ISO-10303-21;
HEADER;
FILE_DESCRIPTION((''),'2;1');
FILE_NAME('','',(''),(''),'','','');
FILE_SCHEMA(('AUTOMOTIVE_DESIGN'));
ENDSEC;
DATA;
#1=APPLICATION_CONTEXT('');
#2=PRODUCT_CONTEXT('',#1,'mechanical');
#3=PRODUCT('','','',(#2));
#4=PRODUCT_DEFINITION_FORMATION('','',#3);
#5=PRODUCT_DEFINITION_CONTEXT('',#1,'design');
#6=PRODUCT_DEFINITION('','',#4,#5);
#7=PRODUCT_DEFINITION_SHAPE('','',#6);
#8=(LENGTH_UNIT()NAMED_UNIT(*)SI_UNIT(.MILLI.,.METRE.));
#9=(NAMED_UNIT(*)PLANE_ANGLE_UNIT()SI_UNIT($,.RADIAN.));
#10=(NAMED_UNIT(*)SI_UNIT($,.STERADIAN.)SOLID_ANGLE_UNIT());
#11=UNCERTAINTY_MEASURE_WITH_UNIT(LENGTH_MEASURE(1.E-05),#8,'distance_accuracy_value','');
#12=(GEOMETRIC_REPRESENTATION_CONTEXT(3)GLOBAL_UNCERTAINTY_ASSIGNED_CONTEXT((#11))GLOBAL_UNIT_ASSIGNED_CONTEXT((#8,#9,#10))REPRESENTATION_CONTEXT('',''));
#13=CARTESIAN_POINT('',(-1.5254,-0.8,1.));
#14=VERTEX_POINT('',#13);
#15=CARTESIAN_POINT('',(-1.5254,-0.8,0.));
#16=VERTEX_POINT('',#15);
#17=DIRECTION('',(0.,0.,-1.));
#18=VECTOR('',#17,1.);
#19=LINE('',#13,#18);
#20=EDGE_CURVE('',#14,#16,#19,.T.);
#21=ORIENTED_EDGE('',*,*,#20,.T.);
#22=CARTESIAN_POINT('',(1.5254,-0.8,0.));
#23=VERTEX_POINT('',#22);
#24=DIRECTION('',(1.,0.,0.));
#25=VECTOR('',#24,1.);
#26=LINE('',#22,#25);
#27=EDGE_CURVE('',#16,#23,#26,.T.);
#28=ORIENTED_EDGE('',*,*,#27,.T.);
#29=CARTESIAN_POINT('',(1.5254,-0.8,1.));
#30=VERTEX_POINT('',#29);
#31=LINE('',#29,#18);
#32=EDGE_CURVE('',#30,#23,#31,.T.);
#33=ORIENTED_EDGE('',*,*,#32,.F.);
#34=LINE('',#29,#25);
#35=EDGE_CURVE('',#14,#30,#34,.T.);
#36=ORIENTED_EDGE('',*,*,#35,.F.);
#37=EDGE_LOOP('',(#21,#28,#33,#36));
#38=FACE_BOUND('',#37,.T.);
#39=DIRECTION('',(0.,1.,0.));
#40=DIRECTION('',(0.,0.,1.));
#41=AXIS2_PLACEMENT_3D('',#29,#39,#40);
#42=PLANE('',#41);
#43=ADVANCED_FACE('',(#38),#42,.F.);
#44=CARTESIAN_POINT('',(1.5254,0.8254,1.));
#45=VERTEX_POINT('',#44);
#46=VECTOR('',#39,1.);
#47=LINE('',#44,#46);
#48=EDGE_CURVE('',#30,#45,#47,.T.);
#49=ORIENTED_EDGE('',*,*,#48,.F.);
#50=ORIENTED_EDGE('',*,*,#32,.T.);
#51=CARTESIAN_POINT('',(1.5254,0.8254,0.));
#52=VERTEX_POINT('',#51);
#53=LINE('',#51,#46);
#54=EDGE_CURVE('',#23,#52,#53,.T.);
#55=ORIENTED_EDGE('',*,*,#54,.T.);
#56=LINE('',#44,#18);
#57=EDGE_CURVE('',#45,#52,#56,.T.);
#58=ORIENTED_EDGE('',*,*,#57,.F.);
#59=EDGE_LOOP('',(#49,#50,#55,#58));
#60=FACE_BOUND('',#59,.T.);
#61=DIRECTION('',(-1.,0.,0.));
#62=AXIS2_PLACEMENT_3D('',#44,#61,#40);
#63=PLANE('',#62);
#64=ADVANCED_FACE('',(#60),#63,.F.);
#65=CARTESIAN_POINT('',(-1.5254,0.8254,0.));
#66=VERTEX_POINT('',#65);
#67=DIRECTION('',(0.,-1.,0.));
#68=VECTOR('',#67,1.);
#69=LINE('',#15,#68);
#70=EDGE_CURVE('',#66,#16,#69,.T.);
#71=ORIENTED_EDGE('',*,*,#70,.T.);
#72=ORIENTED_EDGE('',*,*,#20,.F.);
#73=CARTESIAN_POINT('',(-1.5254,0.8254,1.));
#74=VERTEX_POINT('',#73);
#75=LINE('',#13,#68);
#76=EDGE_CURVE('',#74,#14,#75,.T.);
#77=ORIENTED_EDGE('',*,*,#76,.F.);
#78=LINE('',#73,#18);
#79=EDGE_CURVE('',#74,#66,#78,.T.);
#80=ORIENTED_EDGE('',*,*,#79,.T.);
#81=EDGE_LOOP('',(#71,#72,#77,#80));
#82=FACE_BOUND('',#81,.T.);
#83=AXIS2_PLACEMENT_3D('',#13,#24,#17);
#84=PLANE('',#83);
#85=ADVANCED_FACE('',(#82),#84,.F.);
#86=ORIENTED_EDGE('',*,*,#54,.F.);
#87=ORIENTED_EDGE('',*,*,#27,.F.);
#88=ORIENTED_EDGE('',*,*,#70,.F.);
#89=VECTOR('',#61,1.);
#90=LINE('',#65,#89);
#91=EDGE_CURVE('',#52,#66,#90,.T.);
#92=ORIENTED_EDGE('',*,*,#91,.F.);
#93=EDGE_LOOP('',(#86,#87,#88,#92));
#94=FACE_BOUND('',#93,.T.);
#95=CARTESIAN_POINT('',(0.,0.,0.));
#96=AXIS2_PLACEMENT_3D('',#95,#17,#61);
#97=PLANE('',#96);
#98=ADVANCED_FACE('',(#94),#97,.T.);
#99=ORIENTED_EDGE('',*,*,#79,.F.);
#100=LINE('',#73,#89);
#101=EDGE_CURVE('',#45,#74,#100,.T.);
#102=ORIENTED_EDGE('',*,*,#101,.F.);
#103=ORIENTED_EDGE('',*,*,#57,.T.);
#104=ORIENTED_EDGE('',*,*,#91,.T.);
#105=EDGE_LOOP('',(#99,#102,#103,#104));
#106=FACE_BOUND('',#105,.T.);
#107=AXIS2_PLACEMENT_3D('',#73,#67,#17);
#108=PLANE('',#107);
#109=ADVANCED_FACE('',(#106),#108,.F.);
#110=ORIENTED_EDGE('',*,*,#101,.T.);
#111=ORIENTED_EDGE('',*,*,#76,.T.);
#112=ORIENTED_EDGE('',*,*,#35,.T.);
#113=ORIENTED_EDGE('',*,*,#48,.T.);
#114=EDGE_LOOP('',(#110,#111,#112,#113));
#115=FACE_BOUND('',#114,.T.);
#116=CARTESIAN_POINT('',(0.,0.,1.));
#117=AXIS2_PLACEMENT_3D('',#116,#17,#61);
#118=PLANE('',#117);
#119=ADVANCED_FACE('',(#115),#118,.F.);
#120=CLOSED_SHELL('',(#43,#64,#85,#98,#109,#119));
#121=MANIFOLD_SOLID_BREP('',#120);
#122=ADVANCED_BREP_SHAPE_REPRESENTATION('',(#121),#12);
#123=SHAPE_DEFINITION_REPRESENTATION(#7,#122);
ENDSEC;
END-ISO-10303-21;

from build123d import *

# Parameters (mm, degrees)
SKETCH1_W               = 3.0508
SKETCH1_H               = 1.6254
COMPONENT_OUTLINE_DEPTH = 1


with BuildPart() as part:
    # Sketch1 → Component_Outline (new body)
    with BuildSketch(Plane.XY):
        with Locations((0, 0.0127)):
            Rectangle(SKETCH1_W, SKETCH1_H)
    extrude(amount=COMPONENT_OUTLINE_DEPTH)


solid = part.part
